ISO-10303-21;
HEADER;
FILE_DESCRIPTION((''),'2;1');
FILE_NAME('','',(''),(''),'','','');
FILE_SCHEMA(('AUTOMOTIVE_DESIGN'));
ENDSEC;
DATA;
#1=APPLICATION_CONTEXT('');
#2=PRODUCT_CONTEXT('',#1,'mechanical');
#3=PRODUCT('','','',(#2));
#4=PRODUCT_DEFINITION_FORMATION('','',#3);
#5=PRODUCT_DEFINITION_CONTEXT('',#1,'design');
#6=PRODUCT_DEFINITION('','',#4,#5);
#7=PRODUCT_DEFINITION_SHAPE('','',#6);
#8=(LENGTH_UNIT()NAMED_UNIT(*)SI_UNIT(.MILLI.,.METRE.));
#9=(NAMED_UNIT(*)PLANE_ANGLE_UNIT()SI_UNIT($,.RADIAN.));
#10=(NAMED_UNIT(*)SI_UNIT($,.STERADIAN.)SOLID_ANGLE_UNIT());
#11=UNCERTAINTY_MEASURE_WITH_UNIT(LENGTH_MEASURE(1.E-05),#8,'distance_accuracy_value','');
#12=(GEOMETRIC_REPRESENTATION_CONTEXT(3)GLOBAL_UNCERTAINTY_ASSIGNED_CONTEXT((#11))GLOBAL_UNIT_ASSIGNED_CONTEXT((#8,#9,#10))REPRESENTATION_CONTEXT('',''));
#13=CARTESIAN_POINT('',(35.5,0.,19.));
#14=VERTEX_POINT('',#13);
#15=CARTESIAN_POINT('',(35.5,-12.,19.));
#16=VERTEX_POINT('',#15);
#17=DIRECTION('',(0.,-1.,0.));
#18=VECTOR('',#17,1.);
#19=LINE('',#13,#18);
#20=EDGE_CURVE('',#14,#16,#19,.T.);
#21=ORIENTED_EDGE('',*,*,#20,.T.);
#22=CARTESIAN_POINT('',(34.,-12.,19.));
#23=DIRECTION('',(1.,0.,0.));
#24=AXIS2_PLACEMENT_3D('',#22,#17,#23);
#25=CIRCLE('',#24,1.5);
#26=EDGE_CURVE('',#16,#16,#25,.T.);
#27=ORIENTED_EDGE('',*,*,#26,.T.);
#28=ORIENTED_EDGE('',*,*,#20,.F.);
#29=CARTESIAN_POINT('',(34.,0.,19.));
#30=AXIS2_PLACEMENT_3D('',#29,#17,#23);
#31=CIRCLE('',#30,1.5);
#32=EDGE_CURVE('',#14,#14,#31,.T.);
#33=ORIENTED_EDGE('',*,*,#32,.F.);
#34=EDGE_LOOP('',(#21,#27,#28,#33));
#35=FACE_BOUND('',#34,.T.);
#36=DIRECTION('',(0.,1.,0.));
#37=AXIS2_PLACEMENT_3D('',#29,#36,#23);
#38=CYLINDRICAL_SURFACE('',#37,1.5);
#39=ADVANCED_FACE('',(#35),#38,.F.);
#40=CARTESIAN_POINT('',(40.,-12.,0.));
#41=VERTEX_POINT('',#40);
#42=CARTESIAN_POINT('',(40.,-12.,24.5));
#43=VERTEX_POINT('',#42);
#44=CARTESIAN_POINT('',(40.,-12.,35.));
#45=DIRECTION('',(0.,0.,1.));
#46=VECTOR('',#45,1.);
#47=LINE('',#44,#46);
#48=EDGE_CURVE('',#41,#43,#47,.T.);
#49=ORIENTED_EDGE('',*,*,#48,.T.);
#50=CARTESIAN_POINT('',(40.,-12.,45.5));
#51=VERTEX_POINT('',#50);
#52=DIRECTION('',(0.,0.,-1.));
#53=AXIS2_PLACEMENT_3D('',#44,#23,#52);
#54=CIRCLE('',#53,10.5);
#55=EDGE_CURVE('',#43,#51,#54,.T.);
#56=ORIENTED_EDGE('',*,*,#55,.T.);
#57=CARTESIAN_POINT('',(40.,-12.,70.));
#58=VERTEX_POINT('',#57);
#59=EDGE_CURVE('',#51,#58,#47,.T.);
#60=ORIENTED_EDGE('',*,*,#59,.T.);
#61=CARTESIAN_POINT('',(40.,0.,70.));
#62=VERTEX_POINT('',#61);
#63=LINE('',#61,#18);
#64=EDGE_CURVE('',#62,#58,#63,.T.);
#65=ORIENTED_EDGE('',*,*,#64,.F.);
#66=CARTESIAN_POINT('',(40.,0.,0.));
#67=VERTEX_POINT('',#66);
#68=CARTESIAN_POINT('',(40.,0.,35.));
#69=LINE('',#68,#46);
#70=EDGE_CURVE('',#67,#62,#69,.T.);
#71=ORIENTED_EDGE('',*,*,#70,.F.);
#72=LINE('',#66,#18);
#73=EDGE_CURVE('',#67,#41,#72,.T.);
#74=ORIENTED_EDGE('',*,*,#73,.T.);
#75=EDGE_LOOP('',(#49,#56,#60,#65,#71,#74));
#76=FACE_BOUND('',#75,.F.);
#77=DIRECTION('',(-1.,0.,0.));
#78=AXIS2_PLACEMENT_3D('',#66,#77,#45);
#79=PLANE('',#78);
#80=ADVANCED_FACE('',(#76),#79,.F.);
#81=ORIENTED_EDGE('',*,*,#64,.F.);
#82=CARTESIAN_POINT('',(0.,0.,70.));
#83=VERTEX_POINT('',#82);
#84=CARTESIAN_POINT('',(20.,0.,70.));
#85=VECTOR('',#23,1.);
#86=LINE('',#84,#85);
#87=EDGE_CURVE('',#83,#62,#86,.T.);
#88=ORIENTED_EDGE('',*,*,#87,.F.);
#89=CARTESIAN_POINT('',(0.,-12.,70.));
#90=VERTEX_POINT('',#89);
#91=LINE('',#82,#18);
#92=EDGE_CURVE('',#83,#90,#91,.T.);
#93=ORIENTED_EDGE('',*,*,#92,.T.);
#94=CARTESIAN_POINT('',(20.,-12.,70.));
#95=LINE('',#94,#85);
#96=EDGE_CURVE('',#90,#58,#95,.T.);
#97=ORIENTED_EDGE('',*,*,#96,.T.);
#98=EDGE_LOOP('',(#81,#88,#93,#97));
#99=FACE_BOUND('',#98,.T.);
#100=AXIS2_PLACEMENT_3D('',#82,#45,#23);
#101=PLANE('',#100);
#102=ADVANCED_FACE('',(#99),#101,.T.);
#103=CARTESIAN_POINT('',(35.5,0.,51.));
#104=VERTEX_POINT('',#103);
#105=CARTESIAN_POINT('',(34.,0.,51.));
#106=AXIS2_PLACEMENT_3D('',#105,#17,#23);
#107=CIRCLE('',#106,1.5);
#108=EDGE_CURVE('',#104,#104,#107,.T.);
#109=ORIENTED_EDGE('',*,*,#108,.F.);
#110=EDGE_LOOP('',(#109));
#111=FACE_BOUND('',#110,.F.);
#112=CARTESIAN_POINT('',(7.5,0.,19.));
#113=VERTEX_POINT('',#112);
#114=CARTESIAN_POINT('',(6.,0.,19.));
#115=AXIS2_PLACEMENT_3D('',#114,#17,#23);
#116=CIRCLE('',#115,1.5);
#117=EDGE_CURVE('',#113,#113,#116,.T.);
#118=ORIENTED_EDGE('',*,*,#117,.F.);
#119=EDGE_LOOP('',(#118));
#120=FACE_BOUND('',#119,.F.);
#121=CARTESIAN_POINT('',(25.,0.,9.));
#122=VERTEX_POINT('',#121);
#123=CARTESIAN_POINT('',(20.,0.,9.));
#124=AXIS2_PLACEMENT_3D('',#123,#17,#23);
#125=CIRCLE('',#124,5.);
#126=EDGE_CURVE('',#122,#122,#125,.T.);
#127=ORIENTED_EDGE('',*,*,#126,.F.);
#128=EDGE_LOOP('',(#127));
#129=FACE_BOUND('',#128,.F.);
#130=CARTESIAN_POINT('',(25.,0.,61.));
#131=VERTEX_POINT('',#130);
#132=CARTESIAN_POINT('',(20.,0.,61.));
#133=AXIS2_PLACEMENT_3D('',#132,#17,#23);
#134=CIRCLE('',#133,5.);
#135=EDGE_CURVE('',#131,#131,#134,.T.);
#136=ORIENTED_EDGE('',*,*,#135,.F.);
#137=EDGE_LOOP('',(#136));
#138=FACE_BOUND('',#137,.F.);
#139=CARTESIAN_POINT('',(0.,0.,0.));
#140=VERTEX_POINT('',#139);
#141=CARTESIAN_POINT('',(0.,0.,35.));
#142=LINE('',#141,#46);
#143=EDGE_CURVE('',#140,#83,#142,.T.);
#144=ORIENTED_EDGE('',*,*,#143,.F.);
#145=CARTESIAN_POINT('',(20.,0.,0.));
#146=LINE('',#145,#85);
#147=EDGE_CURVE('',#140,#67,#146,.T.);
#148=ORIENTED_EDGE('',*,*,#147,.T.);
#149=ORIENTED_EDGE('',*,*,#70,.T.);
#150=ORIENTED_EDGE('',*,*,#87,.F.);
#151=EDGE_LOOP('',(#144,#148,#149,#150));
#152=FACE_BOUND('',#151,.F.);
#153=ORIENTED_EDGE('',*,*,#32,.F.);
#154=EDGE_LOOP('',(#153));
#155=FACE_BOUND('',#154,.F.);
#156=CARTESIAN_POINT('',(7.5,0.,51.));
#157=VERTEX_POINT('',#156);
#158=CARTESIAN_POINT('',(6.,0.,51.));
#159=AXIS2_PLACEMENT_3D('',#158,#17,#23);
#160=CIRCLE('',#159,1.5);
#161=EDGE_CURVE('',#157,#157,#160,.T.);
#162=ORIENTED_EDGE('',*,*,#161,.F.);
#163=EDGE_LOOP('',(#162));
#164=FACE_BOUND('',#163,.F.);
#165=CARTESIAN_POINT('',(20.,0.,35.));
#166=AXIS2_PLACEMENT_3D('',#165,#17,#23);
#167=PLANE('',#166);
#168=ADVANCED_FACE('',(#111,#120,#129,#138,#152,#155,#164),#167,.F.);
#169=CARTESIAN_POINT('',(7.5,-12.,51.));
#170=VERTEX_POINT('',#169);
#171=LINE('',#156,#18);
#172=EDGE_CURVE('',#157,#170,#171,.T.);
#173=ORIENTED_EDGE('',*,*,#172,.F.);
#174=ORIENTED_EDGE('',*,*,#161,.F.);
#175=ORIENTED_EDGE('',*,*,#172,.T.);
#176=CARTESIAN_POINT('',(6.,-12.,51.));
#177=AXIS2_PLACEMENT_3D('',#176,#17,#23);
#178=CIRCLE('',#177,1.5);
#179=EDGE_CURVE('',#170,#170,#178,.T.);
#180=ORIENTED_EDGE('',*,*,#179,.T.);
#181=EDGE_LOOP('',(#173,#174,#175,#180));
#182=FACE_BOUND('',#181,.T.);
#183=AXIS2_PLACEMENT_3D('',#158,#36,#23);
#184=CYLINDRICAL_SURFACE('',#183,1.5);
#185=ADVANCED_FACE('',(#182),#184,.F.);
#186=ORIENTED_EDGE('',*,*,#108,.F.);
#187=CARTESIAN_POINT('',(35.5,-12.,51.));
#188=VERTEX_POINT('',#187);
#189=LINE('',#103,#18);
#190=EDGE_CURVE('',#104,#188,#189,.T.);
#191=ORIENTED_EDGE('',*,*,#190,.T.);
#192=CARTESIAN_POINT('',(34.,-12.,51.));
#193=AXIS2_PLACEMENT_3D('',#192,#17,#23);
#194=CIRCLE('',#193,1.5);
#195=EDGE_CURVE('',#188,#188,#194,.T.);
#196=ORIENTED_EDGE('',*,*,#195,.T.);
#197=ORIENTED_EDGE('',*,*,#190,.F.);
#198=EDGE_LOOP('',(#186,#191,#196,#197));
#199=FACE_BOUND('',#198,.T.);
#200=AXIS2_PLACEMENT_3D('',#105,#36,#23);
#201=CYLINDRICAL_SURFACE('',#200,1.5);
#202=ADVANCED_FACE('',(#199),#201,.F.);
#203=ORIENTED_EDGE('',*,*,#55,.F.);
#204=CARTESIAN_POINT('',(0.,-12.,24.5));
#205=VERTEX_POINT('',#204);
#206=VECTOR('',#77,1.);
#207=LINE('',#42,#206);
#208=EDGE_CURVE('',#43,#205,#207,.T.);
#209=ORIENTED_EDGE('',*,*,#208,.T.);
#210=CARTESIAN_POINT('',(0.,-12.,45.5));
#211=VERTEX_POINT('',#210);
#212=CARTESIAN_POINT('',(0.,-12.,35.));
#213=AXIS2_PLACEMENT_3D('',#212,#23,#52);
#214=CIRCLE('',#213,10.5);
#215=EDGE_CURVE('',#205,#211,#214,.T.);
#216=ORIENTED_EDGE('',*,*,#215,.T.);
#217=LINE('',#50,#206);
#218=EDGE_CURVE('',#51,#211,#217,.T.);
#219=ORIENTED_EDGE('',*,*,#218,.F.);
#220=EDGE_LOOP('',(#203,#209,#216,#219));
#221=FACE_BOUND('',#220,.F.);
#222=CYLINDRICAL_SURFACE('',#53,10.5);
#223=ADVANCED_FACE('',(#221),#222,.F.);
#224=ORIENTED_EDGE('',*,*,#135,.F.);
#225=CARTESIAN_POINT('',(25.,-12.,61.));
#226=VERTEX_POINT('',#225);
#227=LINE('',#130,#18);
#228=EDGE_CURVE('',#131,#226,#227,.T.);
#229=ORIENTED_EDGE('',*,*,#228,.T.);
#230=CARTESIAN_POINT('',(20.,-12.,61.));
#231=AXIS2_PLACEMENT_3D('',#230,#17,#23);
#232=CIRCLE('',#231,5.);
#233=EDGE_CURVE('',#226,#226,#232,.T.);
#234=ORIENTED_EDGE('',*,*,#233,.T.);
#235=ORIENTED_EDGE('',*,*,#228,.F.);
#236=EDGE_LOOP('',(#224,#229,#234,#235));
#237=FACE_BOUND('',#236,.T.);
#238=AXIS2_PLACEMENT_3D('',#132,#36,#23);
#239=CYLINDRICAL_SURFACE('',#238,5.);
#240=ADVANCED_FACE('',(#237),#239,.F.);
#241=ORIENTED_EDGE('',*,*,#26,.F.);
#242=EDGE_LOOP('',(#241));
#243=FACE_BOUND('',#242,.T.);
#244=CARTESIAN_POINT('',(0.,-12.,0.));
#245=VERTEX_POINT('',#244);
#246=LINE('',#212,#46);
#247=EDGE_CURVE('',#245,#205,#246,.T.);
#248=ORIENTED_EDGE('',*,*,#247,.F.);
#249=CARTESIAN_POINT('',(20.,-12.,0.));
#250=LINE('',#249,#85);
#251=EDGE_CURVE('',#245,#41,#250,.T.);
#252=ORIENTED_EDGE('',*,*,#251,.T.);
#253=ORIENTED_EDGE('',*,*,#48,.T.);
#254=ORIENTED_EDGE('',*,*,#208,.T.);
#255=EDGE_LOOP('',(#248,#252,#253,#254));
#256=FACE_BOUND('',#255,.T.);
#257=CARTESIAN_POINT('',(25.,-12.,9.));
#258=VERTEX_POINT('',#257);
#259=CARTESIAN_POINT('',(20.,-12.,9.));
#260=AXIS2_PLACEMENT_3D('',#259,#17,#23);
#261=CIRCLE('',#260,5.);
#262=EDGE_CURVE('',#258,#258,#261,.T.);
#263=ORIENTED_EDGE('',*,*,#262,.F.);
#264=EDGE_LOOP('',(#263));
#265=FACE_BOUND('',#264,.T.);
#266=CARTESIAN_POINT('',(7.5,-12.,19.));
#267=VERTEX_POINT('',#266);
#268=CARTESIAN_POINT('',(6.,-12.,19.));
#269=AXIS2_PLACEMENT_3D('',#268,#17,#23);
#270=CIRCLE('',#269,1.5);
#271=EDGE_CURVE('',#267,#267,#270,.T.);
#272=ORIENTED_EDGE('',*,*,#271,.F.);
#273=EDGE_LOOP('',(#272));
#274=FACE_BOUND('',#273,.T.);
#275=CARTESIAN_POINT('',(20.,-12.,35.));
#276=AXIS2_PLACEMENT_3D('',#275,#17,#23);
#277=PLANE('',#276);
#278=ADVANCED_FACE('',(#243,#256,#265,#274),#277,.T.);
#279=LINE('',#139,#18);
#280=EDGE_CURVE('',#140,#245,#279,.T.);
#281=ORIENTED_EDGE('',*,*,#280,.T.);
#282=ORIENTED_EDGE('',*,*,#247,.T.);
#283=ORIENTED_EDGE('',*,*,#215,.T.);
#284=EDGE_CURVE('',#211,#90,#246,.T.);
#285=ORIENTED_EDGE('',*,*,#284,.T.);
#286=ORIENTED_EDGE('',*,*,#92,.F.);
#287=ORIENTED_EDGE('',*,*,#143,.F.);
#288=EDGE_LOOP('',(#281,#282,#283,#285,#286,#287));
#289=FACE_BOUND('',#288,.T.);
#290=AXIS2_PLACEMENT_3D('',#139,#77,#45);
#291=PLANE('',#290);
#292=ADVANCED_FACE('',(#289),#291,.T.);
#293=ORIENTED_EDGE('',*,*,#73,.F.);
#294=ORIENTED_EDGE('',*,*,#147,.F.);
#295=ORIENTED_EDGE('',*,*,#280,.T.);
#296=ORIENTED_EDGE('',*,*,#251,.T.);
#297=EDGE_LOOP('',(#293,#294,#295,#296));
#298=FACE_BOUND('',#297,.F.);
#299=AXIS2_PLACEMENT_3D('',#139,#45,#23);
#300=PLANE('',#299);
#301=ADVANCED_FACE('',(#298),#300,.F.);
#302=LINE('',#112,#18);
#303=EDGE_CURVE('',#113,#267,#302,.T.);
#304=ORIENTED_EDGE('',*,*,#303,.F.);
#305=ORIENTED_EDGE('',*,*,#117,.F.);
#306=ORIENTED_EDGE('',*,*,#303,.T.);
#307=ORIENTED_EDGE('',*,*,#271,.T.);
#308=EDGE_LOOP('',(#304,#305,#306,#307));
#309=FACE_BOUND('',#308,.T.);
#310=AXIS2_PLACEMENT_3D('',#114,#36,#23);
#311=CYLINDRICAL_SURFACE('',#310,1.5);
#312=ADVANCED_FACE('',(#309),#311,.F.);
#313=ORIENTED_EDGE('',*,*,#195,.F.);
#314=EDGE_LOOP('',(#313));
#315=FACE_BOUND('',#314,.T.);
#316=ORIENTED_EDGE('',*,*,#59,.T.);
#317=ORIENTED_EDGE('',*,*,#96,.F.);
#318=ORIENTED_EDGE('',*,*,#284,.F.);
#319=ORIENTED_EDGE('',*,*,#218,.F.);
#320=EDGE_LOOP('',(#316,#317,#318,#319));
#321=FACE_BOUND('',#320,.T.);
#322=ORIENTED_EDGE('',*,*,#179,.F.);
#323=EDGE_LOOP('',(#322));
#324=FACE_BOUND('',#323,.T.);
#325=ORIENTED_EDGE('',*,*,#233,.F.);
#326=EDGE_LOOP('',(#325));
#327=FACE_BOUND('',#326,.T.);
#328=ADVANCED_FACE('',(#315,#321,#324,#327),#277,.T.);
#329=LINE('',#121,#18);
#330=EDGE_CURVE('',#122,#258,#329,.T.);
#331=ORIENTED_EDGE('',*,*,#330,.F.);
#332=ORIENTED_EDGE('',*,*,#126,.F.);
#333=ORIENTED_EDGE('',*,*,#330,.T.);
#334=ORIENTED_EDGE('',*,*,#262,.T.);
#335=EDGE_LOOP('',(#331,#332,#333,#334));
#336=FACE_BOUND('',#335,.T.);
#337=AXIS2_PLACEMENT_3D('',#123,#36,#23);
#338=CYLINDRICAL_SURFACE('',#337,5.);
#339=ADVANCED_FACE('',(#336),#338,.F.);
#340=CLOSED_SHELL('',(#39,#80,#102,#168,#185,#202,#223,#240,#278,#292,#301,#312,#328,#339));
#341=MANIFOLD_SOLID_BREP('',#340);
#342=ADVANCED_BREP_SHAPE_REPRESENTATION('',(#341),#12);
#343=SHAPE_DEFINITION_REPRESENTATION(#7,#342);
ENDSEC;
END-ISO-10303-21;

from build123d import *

# Parameters (mm, degrees)
F0_W     = 40
F0_H     = 70
F0_R     = 1.5
F0_R_2   = 5
F1_DEPTH = 12
F3_DEPTH = 40.001


with BuildPart() as f1:
    # F0 (on Front) → F1 (new body)
    with BuildSketch(Plane.XZ):
        with Locations((20, 35)):
            Rectangle(F0_W, F0_H)
        with Locations((6, 19)):
            Circle(F0_R, mode=Mode.SUBTRACT)
        with Locations((20, 9)):
            Circle(F0_R_2, mode=Mode.SUBTRACT)
        with Locations((34, 19)):
            Circle(F0_R, mode=Mode.SUBTRACT)
        with Locations((6, 51)):
            Circle(F0_R, mode=Mode.SUBTRACT)
        with Locations((34, 51)):
            Circle(F0_R, mode=Mode.SUBTRACT)
        with Locations((20, 61)):
            Circle(F0_R_2, mode=Mode.SUBTRACT)
    extrude(amount=F1_DEPTH)

    # F2 (on face) → F3 (cut, through all)
    with BuildSketch(Plane.YZ.offset(40)):
        with BuildLine():
            ThreePointArc((-12, 24.5), (-1.5, 35), (-12, 45.5))
            Line((-12, 45.5), (-12, 24.5))
        make_face()
    extrude(amount=-F3_DEPTH, mode=Mode.SUBTRACT)


solid = f1.part
